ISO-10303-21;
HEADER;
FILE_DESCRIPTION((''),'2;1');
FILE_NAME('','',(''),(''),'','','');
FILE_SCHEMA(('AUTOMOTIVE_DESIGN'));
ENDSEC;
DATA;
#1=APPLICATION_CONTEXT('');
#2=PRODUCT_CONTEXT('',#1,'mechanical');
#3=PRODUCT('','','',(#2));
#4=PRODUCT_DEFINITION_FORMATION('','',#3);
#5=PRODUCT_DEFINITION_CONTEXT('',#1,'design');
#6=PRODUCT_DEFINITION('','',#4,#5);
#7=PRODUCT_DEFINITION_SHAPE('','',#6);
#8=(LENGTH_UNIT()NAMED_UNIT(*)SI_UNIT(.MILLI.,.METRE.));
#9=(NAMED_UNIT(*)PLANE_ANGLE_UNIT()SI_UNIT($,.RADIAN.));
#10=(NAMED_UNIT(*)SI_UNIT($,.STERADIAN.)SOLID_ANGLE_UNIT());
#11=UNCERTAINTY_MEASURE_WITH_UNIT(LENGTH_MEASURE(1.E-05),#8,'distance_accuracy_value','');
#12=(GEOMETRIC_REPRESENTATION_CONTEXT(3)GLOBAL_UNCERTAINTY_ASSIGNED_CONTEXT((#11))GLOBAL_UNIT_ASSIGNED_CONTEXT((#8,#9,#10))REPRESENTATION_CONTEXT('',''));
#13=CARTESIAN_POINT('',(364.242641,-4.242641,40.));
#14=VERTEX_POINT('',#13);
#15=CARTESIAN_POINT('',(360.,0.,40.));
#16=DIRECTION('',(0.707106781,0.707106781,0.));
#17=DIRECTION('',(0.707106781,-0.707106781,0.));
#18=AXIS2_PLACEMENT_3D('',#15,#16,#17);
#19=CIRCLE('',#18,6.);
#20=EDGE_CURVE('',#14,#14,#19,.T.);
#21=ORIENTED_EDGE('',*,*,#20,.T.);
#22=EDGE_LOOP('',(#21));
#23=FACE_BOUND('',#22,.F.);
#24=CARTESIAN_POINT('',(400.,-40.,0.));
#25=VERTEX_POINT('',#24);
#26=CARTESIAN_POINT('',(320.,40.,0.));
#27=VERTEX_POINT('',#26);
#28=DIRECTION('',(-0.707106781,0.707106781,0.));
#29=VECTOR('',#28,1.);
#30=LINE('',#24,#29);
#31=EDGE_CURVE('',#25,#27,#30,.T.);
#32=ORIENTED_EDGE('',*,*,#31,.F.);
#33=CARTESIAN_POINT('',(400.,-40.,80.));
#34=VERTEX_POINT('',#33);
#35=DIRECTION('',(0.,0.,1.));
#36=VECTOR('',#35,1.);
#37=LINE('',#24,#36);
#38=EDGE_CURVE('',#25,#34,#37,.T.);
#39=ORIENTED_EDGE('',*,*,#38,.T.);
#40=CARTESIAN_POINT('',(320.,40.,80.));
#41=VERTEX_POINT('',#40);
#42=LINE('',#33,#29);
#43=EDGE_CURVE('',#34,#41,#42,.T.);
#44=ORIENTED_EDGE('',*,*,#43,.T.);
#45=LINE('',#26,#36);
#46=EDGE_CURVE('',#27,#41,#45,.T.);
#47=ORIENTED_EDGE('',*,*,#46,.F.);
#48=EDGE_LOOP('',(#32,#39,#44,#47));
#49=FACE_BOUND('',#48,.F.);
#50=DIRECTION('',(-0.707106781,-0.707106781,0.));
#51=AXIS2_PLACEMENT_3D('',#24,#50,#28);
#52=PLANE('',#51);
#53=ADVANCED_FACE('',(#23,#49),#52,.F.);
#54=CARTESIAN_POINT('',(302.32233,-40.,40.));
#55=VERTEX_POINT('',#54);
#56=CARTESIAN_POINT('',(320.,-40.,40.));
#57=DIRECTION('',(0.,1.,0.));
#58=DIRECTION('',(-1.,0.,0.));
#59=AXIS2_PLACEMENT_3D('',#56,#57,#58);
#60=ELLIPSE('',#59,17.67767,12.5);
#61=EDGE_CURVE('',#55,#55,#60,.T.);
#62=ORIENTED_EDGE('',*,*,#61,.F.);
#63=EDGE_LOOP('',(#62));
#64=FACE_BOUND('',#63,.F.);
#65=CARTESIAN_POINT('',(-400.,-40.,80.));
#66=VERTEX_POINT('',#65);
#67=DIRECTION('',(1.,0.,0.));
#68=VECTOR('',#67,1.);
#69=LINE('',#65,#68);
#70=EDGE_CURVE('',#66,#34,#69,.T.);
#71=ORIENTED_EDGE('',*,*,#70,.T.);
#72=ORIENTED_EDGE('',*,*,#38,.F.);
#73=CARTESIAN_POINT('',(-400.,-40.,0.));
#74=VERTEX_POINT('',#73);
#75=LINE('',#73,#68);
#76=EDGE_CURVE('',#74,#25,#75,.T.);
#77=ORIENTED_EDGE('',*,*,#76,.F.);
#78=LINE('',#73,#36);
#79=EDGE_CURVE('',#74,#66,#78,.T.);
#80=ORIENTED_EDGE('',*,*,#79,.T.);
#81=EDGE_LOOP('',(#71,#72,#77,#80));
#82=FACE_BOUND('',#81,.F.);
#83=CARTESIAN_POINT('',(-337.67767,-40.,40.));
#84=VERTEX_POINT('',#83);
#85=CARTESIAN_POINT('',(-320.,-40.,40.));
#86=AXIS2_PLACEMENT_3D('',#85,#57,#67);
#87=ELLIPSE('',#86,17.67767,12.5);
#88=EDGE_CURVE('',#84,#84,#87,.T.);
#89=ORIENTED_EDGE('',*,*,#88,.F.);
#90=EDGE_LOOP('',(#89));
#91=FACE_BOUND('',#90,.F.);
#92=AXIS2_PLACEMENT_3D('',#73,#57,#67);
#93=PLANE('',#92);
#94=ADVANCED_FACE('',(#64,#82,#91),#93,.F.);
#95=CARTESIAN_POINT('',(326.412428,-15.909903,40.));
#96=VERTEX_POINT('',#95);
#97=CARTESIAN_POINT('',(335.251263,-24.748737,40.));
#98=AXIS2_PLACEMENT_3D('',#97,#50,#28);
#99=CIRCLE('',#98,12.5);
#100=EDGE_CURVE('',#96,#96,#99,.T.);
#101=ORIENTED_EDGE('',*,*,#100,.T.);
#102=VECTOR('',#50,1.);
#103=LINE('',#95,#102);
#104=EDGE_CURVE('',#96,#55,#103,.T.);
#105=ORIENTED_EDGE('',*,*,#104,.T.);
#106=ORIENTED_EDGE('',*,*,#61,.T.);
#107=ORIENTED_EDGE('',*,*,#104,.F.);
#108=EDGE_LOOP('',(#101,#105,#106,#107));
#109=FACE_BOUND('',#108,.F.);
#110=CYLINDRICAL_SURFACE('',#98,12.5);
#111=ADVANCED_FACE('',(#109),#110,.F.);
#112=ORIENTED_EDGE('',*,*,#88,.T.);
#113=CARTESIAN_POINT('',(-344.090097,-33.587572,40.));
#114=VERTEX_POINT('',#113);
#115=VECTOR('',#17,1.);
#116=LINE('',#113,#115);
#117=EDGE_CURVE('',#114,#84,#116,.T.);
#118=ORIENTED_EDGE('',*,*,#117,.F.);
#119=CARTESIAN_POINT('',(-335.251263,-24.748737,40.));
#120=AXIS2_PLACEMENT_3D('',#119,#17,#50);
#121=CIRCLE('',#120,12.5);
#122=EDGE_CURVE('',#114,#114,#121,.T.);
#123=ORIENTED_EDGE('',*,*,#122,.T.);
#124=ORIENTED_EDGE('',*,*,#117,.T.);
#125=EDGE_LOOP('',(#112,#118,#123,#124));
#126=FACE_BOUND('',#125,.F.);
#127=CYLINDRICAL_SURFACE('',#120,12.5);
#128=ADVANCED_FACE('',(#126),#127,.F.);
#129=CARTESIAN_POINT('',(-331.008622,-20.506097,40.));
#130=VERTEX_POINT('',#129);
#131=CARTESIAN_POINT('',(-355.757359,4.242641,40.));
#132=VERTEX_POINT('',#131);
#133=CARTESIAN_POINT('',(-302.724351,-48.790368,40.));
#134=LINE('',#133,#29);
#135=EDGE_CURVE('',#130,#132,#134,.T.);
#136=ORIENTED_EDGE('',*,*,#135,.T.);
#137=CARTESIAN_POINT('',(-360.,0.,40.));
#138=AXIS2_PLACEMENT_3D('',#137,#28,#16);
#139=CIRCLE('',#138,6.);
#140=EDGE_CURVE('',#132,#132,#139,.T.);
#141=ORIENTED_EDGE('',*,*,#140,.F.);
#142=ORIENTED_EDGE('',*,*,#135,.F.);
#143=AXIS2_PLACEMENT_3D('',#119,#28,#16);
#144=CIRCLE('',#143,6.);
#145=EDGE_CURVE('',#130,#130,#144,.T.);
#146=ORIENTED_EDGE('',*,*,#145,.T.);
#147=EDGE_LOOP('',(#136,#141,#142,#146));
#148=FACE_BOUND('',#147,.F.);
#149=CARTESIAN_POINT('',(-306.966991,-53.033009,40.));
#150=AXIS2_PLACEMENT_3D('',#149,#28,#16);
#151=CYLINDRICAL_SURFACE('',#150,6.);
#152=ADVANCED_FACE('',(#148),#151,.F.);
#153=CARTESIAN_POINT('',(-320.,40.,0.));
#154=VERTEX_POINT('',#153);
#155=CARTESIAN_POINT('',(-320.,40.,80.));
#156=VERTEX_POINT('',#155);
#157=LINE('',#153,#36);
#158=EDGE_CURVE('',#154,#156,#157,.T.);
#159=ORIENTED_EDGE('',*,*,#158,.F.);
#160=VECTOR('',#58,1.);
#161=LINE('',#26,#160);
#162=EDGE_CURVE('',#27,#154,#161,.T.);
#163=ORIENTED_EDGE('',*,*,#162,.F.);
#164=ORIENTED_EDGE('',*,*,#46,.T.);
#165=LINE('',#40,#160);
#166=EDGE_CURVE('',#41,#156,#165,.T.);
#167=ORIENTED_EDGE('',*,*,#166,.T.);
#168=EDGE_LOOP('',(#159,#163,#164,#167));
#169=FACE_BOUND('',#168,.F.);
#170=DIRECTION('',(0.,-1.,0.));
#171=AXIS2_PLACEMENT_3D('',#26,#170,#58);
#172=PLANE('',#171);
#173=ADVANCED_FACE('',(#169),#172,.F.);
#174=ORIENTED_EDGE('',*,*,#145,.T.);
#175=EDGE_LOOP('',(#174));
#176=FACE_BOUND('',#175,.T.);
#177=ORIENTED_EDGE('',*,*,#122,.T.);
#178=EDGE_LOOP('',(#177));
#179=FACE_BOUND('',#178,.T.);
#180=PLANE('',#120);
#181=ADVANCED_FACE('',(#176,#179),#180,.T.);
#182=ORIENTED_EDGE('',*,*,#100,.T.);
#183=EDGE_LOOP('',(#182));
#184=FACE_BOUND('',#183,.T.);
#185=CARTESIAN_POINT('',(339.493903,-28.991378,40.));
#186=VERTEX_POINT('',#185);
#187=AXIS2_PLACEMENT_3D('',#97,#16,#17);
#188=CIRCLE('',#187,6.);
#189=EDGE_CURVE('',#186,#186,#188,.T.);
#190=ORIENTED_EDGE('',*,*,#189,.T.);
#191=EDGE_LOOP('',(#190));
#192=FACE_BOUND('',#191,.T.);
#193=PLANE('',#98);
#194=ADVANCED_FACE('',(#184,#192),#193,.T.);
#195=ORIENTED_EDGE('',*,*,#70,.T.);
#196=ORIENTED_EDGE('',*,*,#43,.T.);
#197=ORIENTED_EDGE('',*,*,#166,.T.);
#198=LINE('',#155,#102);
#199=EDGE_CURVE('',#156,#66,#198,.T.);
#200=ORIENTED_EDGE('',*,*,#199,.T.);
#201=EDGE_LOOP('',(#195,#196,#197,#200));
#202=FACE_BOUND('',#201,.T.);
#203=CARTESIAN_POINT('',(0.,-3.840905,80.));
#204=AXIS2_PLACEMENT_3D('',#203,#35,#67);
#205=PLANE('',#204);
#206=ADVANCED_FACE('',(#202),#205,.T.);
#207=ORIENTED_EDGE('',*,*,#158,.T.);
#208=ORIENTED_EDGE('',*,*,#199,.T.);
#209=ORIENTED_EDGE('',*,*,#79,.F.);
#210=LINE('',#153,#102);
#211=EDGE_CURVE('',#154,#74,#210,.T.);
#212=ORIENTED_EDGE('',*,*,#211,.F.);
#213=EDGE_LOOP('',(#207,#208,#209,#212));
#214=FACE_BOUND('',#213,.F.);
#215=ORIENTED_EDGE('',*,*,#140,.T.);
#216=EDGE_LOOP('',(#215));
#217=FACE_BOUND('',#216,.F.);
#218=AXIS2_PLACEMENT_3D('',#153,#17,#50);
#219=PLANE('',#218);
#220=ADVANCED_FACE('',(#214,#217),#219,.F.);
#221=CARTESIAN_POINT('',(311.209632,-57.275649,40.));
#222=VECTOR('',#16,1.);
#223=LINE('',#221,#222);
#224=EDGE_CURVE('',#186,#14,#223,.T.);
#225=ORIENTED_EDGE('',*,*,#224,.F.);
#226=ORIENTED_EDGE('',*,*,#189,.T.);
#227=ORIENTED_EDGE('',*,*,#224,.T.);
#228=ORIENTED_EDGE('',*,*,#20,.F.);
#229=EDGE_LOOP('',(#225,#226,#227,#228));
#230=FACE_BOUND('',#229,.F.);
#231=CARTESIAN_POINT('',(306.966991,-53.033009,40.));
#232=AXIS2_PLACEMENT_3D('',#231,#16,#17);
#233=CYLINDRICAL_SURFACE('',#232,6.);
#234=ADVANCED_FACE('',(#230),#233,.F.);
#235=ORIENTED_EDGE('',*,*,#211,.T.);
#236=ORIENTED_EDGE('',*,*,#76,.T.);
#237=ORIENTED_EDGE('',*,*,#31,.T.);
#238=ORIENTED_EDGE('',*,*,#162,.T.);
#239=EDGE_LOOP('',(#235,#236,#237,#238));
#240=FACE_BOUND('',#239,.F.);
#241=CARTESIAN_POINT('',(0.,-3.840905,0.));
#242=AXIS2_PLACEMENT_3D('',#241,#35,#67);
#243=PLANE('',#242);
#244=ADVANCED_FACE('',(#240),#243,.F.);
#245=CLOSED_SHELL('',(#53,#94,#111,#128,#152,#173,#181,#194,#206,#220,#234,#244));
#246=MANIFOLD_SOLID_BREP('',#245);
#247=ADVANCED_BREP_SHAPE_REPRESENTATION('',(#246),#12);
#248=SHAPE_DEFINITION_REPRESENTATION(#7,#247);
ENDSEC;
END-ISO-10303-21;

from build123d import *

# Parameters (mm, degrees)
F1_DEPTH       = 80
F5_D           = 12
F5_CBORE_D     = 25
F5_CBORE_DEPTH = 40
F9_D           = 12
F9_CBORE_D     = 25
F9_CBORE_DEPTH = 40


with BuildPart() as f1:
    # F0 (on Top) → F1 (new body)
    with BuildSketch(Plane.XY):
        Polygon((320, 40), (-320, 40), (-400, -40), (400, -40), align=None)
    extrude(amount=F1_DEPTH)

    # F5 (through all)
    with Locations(Plane(origin=(-126.966991411, 126.966991411, 0), x_dir=(-0.7071067812, -0.7071067812, 0), z_dir=(0.7071067812, -0.7071067812, 0))):
        with Locations((254.5584412272, -40)):
            CounterBoreHole(F5_D / 2, F5_CBORE_D / 2, F5_CBORE_DEPTH)

    # F9 (through all)
    with Locations(Plane(origin=(126.966991411, 126.966991411, 0), x_dir=(-0.7071067812, 0.7071067812, 0), z_dir=(-0.7071067812, -0.7071067812, 0))):
        with Locations((-254.5584412272, -40)):
            CounterBoreHole(F9_D / 2, F9_CBORE_D / 2, F9_CBORE_DEPTH)


solid = f1.part
